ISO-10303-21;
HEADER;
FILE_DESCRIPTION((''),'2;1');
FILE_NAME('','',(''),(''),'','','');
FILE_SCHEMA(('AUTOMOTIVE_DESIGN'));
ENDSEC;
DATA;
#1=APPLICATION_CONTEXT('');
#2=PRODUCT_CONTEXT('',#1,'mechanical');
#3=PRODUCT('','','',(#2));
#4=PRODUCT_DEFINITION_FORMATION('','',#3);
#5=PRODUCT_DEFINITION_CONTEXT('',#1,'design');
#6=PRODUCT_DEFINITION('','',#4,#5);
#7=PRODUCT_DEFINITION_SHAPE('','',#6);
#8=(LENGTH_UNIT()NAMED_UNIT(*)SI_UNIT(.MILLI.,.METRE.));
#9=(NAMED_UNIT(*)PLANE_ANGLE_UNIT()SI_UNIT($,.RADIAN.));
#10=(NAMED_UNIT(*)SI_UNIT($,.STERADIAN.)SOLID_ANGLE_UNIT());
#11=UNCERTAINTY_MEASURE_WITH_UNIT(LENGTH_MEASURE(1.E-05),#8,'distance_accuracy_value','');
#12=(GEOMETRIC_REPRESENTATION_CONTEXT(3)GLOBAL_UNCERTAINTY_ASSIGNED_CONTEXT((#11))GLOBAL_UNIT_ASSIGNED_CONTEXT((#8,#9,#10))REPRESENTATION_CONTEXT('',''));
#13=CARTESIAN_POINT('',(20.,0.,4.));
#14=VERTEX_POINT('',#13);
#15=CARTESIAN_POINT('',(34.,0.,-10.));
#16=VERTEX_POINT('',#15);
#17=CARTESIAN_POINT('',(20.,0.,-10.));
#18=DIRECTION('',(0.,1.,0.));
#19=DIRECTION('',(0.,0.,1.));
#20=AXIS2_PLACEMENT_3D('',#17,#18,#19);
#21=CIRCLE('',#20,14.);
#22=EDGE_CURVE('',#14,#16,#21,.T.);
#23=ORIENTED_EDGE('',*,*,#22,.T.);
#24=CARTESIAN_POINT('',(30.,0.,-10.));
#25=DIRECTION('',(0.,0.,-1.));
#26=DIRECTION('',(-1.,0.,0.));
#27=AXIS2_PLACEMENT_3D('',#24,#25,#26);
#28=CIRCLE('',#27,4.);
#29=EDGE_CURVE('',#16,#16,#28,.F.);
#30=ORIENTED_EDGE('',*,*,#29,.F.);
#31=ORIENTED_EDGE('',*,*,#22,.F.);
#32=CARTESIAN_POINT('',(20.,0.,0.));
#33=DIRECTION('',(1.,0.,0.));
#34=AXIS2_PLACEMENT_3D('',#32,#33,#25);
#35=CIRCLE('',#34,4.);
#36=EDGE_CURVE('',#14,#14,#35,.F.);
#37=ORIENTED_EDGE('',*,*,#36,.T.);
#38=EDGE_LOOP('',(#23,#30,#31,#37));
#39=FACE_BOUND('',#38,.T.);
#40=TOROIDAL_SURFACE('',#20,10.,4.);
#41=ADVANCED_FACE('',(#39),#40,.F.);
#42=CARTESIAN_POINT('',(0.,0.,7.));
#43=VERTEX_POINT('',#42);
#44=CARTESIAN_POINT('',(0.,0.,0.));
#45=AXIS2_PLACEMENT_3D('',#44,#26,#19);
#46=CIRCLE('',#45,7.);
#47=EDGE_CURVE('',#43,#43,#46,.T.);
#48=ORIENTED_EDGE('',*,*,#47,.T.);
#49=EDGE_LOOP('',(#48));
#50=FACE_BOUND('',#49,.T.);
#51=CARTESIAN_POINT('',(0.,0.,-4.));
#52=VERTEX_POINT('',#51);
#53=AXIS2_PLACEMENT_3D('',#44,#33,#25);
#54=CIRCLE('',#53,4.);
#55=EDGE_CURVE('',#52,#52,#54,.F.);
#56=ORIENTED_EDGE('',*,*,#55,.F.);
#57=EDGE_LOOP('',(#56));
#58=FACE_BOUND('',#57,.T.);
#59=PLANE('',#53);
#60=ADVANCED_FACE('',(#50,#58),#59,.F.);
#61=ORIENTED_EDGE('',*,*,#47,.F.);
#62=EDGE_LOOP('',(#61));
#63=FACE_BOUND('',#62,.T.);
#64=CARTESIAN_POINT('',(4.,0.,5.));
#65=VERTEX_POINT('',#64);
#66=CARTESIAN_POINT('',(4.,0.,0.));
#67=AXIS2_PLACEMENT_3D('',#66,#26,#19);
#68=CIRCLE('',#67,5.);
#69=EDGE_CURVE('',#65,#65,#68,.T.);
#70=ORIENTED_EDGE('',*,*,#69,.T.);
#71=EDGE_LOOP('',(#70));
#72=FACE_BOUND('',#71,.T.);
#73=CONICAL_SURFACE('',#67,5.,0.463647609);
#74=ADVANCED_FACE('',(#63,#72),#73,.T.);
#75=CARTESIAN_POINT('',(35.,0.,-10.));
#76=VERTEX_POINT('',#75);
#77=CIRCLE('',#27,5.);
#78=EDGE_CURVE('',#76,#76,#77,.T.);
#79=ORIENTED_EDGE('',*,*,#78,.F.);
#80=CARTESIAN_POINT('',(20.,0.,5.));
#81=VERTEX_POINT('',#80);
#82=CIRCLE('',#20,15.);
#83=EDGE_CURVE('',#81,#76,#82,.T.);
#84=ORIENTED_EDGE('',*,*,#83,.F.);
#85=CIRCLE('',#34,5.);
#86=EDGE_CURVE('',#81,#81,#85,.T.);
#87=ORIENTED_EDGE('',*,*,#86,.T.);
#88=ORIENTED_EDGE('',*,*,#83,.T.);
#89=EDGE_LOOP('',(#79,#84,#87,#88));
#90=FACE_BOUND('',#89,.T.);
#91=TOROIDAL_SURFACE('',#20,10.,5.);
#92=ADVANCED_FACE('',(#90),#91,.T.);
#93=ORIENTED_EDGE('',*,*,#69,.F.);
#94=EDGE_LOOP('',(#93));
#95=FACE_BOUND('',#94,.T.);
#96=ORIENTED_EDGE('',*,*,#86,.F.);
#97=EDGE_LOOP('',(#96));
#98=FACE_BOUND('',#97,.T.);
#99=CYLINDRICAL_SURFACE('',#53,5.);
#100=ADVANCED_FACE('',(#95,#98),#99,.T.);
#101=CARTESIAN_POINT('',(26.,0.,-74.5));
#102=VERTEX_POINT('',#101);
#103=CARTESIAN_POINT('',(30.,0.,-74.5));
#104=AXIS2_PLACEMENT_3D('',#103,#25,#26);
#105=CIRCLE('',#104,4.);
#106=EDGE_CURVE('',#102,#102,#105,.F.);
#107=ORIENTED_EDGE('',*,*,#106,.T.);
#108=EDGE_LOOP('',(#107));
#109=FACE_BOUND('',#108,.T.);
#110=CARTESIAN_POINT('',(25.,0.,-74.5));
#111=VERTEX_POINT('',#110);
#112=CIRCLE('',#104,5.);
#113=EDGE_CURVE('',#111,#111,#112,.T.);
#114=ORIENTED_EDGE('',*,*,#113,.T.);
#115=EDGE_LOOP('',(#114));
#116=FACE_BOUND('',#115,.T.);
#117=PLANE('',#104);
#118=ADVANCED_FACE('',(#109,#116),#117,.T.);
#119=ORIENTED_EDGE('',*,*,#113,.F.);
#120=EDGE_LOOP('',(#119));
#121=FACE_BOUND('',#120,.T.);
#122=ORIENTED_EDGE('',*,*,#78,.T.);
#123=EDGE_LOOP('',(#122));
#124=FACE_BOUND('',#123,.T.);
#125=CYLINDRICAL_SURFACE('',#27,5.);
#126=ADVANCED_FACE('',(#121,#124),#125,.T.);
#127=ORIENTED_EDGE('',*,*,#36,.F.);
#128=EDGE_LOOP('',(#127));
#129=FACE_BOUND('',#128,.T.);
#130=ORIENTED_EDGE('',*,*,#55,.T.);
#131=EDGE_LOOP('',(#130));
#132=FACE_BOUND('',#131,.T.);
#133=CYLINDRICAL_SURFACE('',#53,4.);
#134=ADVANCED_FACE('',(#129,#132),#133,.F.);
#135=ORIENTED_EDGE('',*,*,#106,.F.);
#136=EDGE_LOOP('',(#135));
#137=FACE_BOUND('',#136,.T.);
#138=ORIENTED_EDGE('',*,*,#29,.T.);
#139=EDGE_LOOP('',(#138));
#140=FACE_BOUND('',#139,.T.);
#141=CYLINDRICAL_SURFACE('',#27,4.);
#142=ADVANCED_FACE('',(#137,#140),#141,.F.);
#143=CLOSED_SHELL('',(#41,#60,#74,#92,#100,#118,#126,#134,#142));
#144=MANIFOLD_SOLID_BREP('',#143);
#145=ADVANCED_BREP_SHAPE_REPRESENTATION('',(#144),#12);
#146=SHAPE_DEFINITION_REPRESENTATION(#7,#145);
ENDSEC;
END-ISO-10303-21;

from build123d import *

# Parameters (mm, degrees)
SKETCH_2_R   = 5
SKETCH_2_R_2 = 4


with BuildPart() as part:
    # По траектории1: sweep along a path in Эскиз1
    with BuildLine(Plane(origin=(0, 0, 0), x_dir=(1, 0, 0), z_dir=(0, 1, 0))) as sweep_1_path:
        Line((0, 0), (20, 0))
        ThreePointArc((20, 0), (27.071067812, 2.928932188), (30, 10))
        Line((30, 10), (30, 74.5))
    # Эскиз2 → По траектории1 (sweep)
    with BuildSketch(Plane(origin=(0, 0, 0), x_dir=(0, 0, -1), z_dir=(1, 0, 0))):
        Circle(SKETCH_2_R)
        Circle(SKETCH_2_R_2, mode=Mode.SUBTRACT)
    sweep(path=sweep_1_path.line)

    # Эскиз3 → Повернуть1 (revolve)
    with BuildSketch(Plane.XY, mode=Mode.PRIVATE) as revolve_1_sk:
        Polygon((0, 7), (0, 4), (4, 4), (4, 5), align=None)
    revolve(revolve_1_sk.sketch.rotate(Axis((-3.453428096, 0, 0), (1, 0, 0)), 90), axis=Axis((-3.453428096, 0, 0), (1, 0, 0)))


solid = part.part
